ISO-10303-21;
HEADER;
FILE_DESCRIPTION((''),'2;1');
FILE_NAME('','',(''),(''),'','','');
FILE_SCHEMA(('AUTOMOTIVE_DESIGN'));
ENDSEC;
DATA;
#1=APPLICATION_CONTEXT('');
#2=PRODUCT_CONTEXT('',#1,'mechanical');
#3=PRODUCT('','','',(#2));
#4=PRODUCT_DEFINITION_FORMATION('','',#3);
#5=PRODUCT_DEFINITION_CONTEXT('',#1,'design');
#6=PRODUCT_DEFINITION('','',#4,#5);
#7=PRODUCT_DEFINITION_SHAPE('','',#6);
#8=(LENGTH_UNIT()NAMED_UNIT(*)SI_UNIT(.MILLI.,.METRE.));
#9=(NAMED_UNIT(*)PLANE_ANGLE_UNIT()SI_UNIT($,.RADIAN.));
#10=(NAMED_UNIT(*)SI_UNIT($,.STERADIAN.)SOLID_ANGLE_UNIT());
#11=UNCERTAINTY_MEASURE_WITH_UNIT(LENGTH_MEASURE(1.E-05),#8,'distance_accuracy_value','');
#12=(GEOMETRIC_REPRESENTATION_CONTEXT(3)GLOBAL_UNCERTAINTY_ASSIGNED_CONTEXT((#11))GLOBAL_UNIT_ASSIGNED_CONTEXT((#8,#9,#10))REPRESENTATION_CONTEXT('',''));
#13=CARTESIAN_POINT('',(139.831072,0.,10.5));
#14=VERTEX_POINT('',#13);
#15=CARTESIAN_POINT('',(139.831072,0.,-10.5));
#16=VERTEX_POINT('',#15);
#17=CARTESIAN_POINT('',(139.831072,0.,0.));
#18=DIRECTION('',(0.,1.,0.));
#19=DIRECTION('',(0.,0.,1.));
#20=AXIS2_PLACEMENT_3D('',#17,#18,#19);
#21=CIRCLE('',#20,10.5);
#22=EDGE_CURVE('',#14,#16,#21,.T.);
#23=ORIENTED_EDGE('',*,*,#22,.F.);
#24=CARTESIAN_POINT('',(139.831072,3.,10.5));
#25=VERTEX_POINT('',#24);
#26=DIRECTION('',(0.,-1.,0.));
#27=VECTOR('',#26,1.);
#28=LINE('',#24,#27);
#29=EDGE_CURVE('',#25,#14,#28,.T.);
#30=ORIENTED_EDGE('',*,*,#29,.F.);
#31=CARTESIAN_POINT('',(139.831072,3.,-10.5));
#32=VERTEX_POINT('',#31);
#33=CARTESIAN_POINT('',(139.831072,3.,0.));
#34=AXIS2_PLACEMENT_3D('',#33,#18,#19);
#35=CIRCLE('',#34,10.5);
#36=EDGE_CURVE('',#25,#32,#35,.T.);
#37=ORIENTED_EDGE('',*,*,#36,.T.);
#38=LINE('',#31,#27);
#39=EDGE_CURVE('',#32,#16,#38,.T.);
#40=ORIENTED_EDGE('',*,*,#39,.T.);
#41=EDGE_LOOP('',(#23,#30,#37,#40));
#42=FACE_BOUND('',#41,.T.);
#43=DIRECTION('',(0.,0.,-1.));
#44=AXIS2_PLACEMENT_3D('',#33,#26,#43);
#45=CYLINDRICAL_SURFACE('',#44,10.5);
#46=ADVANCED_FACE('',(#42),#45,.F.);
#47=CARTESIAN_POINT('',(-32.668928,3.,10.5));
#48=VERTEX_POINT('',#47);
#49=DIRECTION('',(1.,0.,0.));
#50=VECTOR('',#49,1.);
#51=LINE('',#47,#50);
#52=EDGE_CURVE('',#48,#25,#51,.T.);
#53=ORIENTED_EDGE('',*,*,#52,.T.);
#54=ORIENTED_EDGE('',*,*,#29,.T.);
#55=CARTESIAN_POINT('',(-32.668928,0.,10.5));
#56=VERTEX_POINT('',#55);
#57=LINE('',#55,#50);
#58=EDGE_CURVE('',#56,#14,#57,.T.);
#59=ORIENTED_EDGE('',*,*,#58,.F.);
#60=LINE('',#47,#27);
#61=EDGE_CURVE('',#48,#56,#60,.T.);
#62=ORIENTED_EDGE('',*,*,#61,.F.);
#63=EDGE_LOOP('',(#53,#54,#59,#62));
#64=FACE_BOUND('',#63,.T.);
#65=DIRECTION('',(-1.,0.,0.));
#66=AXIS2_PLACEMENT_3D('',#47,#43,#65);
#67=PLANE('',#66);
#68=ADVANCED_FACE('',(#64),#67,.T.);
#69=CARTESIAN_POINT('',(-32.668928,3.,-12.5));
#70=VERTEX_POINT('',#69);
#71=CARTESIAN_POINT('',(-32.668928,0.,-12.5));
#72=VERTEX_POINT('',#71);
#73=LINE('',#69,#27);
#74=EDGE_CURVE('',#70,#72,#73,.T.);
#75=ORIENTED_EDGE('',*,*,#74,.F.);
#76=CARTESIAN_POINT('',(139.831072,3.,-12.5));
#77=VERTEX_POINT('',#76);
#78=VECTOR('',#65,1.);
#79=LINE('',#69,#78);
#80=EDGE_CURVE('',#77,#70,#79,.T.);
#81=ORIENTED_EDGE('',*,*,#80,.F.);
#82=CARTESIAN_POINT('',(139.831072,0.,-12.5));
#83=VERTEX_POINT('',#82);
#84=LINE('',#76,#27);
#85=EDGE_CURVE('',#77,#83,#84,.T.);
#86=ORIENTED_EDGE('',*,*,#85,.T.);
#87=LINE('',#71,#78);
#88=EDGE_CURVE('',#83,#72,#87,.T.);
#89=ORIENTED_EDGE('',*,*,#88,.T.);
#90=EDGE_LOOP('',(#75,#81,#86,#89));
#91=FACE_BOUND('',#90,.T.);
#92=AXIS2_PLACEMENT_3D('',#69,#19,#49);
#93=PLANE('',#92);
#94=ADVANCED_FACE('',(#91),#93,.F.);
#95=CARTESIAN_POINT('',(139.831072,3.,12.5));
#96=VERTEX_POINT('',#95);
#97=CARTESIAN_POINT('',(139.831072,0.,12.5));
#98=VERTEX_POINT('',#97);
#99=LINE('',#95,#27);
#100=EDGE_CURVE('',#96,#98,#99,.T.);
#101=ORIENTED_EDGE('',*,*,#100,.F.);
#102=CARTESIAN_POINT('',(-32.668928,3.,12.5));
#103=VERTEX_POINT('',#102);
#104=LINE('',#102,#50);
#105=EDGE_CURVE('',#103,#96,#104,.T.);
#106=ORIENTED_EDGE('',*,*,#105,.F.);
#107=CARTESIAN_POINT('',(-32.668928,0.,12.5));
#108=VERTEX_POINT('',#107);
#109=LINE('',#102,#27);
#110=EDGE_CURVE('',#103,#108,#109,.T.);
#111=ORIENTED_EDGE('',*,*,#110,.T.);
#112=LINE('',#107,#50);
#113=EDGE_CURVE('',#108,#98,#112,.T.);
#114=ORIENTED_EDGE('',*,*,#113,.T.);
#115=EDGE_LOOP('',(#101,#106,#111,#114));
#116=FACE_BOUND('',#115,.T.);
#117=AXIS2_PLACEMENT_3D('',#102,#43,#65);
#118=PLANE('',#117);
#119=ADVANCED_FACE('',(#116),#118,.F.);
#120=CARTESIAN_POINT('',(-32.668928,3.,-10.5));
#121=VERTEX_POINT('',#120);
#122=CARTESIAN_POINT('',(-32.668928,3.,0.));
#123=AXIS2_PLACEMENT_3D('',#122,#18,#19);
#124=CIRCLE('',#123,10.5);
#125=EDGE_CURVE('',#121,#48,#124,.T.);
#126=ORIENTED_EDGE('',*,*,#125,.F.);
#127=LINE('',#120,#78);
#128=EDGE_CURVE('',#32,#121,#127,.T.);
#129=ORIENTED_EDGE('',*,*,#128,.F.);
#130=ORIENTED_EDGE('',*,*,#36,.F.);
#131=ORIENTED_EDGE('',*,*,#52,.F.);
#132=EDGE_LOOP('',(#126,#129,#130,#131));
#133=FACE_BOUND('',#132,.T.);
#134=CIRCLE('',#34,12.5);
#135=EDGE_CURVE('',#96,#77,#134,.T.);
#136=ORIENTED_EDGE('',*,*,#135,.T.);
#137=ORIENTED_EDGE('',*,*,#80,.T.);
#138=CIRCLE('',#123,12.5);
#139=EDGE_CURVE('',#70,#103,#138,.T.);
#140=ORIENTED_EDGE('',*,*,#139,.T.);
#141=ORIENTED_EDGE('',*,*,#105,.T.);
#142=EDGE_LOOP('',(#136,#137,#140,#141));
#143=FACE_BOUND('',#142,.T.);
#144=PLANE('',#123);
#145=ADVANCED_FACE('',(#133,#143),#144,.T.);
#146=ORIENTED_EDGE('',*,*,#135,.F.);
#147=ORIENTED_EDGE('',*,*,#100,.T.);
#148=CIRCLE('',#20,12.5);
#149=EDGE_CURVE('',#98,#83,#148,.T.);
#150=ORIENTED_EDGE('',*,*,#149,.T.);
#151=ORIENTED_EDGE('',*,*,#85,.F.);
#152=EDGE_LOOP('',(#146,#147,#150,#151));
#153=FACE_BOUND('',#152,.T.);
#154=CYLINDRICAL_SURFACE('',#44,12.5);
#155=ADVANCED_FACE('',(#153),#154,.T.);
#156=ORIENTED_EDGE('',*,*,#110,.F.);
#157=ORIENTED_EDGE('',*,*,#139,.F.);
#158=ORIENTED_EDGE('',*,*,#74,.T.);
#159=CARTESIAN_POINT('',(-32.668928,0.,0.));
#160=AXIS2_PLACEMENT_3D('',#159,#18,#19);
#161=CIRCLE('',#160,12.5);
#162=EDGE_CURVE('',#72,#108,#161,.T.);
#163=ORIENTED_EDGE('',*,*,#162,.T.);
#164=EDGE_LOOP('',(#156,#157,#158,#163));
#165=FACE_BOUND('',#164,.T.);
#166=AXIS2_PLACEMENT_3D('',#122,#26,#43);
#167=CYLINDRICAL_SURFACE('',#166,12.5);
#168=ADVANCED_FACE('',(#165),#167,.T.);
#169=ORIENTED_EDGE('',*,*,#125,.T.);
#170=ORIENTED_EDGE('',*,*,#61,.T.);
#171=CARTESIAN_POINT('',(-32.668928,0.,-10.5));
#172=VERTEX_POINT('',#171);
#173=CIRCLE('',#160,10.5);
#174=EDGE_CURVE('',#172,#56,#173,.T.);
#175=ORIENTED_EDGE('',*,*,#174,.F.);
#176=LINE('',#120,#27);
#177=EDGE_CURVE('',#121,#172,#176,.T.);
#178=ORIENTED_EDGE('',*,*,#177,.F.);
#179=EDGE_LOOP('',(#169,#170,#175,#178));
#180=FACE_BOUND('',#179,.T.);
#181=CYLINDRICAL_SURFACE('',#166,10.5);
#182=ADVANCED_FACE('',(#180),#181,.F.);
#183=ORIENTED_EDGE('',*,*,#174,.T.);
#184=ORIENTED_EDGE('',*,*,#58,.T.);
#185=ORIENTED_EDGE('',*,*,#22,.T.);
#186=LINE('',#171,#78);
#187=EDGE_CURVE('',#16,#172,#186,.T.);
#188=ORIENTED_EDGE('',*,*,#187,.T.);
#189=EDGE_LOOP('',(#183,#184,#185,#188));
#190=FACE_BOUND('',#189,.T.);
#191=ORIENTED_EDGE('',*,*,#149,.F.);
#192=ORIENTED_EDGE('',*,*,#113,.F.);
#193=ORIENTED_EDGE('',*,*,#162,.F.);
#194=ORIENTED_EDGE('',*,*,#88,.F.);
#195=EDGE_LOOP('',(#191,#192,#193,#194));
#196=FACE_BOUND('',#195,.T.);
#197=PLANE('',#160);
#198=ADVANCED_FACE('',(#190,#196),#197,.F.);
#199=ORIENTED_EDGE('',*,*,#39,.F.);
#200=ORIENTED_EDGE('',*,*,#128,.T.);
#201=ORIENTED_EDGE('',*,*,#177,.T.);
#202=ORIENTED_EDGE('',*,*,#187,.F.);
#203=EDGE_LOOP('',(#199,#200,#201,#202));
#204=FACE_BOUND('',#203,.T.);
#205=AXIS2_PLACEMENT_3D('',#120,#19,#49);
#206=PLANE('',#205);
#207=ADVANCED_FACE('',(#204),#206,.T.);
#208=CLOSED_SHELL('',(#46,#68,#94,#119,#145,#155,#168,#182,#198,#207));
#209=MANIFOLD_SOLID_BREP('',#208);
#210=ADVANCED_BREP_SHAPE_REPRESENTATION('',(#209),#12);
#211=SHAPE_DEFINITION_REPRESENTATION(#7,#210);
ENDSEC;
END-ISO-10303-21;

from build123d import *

# Parameters (mm, degrees)
BOSS_EXTRUDE1_DEPTH = 3


with BuildPart() as part:
    # Sketch1 → Boss-Extrude1 (new body)
    with BuildSketch(Plane(origin=(0, 0, 0), x_dir=(1, 0, 0), z_dir=(0, 1, 0))):
        with BuildLine():
            Line((-32.668928407, 12.5), (139.831071593, 12.5))
            ThreePointArc((139.831071593, 12.5), (152.331071593, 0), (139.831071593, -12.5))
            Line((139.831071593, -12.5), (-32.668928407, -12.5))
            ThreePointArc((-32.668928407, -12.5), (-45.168928407, 0), (-32.668928407, 12.5))
        make_face()
        with BuildLine():
            Line((-32.668928407, 10.5), (139.831071593, 10.5))
            ThreePointArc((139.831071593, 10.5), (150.331071593, 0), (139.831071593, -10.5))
            Line((139.831071593, -10.5), (-32.668928407, -10.5))
            ThreePointArc((-32.668928407, -10.5), (-43.168928407, 0), (-32.668928407, 10.5))
        make_face(mode=Mode.SUBTRACT)
    extrude(amount=BOSS_EXTRUDE1_DEPTH)


solid = part.part
